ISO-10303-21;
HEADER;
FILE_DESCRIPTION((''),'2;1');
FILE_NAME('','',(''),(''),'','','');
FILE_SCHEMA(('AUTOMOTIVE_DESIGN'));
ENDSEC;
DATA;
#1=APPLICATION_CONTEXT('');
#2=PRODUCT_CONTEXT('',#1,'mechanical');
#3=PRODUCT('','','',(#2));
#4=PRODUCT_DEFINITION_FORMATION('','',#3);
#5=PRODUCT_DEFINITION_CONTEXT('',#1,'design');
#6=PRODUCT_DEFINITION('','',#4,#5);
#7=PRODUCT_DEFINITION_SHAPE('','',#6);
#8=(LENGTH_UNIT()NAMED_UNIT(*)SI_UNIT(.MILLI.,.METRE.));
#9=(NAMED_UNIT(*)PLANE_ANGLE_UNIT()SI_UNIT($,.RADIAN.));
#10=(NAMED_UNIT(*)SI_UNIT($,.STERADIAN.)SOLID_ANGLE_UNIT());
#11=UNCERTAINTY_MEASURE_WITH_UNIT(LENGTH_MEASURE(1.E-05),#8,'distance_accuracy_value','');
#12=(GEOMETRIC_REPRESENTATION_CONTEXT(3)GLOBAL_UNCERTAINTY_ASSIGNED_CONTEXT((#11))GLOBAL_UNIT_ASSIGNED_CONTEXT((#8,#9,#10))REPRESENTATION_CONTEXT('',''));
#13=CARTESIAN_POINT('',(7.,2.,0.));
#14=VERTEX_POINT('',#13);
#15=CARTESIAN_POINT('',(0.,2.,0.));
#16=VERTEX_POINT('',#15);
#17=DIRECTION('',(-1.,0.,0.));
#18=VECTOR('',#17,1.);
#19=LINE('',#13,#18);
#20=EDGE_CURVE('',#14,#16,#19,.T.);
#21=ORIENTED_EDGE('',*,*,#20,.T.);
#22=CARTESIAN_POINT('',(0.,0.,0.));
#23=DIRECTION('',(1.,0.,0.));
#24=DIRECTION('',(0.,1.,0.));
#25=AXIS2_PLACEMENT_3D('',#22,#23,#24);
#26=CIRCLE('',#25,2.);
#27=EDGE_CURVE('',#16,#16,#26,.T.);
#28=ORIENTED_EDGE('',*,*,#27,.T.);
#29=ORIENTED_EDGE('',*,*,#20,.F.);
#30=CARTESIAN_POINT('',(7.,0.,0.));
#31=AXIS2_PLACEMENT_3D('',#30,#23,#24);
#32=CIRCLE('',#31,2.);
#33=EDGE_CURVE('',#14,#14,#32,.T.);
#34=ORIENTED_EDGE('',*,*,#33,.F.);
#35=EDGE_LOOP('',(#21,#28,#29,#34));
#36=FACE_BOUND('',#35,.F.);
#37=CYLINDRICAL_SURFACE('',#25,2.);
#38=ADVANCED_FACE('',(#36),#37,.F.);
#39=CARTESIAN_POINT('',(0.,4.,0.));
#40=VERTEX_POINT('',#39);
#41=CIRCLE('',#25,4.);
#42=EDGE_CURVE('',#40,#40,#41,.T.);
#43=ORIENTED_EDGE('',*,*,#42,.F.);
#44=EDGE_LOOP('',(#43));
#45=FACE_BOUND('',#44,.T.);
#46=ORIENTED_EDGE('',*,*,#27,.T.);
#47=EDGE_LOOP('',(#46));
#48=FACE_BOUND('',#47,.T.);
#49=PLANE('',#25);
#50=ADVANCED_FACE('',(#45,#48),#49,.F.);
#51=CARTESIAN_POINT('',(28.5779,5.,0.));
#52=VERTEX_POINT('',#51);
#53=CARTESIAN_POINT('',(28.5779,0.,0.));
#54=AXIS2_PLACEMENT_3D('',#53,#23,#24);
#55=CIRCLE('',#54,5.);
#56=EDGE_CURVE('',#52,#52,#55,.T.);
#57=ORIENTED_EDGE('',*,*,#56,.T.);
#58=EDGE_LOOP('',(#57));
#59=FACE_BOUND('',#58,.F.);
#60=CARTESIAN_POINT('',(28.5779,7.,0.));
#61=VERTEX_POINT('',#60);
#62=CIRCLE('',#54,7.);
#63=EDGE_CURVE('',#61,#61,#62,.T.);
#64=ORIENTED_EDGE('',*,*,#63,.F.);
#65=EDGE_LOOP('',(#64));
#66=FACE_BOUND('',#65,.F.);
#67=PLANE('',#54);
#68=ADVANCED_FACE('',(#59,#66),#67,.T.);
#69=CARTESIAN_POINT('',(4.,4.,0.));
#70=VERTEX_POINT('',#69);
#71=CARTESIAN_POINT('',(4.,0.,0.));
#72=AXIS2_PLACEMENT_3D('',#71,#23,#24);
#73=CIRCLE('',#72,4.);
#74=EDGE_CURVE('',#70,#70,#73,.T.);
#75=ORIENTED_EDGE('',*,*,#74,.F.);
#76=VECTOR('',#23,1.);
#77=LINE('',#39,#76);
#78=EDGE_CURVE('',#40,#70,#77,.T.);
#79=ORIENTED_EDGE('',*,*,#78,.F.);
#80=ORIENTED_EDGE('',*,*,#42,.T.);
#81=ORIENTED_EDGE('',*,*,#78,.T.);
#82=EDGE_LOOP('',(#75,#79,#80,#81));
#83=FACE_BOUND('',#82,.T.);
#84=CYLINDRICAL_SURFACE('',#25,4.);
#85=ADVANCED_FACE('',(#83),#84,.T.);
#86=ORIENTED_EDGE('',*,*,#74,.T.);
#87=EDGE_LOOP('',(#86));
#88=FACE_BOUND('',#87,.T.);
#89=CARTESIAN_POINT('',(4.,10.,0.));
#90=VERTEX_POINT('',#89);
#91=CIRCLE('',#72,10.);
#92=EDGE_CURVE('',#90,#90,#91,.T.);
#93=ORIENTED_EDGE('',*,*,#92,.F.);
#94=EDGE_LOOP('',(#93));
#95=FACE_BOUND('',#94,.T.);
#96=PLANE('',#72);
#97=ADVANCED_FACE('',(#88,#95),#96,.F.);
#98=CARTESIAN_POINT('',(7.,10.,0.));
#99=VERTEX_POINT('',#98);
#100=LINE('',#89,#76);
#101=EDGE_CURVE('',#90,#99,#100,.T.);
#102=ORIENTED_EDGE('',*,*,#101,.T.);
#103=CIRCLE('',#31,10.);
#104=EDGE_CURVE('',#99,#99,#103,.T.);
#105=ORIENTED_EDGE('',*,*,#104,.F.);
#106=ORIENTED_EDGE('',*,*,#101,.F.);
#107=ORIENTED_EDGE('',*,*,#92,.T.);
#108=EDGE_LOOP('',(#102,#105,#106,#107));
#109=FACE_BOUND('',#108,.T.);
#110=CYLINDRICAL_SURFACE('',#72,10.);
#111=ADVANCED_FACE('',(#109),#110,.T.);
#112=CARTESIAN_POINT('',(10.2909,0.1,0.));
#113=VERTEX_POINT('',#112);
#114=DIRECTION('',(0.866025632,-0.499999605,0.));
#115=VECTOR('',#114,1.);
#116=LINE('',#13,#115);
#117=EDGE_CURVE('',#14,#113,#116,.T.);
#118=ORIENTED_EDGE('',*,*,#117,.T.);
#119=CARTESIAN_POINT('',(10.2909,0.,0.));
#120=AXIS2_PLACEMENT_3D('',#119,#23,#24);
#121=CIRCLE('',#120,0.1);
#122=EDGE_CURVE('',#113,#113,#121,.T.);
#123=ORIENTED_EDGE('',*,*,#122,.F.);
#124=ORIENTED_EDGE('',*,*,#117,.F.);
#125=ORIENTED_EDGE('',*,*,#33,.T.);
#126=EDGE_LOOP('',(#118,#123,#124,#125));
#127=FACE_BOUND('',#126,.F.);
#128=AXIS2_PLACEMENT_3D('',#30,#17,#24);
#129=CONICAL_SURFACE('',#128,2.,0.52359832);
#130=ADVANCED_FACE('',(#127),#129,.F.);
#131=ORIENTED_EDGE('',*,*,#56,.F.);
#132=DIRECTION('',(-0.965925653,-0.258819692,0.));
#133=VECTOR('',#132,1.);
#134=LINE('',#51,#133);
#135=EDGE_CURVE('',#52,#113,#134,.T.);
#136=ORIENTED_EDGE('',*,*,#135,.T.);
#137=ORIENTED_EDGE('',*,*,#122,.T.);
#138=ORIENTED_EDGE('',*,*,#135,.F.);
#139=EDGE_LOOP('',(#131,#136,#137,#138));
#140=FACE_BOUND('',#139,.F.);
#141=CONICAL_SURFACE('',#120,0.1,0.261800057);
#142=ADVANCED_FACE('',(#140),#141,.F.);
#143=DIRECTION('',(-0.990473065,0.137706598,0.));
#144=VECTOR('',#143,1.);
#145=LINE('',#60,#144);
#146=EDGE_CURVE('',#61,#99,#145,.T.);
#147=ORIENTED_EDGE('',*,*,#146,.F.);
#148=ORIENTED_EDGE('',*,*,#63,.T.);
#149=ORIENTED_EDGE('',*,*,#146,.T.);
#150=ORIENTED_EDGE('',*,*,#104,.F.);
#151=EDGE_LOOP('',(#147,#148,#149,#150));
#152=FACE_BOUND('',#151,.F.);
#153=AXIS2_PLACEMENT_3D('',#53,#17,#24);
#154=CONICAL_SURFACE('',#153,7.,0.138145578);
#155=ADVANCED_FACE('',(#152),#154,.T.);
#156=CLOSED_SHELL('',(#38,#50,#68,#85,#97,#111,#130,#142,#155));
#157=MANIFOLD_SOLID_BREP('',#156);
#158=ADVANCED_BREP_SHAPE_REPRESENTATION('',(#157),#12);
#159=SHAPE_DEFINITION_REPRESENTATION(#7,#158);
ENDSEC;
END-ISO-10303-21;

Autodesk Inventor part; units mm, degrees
ref_plane "YZ Plane" through (0, 0, 0) normal (1, 0, 0) x (0, 1, 0)
ref_plane "XZ Plane" through (0, 0, 0) normal (0, 1, 0) x (-1, 0, 0)
ref_plane "XY Plane" through (0, 0, 0) normal (0, 0, 1) x (1, 0, 0)
sketch "Sketch1" plane through (0, 0, 0) normal (0, 0, 1) x (1, 0, 0)
  line L0 (0, 0) -> (0, 2)
  line L1 (0, 2) -> (50, 2)
  line L2 (0, 0) -> (0, 0.1)
  line L3 (0, 0.1) -> (50, 0.1)
  line L4 (0, 0) -> (0, 5)
  line L5 (0, 5) -> (50, 5)
  line L6 (0, 0) -> (0, 4)
  line L7 (0, 4) -> (4, 4)
  line L8 (4, 4) -> (4, 2)
  line L9 (4, 2) -> (4, 10)
  line L10 (4, 2) -> (6.7109, 2) construction
  line L11 (4, 10) -> (7, 10)
  line L12 (7, 10) -> (7, 2)
  line L13 (7, 2) -> (10.2909, 0.1)
  line L14 (7, 2) -> (9.25, 2) construction
  line L15 (10.2909, 0.1) -> (28.5779, 5)
  line L16 (10.2909, 0.1) -> (29.223, 0.1) construction
  line L17 (28.5779, 5) -> (28.5779, 7)
  line L18 (28.5779, 7) -> (7, 10)
  line L19 (0, 0) -> (50, 0)
  line L20 (-10, 0) -> (60, 0) projected
  point P0 (0, 2)
  point P1 (7, 5)
  point P2 (4, 5)
  point P3 (17.0086, 2)
  point P4 (17.3818, 2)
  dimension "d0" = 2
  dimension "d1" = 50
  dimension "d2" = 0.1
  dimension "d3" = 5
  dimension "d4" = 4
  dimension "d5" = 4
  dimension "d6" = 8
  dimension "d8" = 3
  dimension "d9" = 30
  dimension "d10" = 15
  dimension "d13" = 50
revolve "Revolution2" add sketch "Sketch1" angle 360 about axis through (-10, 0, 0) along (1, 0, 0) contours L4 L7 L8 L1 | L13 L1 L15 | L8 L9 L5 L12 L1 | L12 L5 L15 L1 | L12 L18 L17 L5 | L5 L9 L11 L12
thread "Thread3" size "M8x1.25" class "6g" standard "ISO Metric profile" full length
